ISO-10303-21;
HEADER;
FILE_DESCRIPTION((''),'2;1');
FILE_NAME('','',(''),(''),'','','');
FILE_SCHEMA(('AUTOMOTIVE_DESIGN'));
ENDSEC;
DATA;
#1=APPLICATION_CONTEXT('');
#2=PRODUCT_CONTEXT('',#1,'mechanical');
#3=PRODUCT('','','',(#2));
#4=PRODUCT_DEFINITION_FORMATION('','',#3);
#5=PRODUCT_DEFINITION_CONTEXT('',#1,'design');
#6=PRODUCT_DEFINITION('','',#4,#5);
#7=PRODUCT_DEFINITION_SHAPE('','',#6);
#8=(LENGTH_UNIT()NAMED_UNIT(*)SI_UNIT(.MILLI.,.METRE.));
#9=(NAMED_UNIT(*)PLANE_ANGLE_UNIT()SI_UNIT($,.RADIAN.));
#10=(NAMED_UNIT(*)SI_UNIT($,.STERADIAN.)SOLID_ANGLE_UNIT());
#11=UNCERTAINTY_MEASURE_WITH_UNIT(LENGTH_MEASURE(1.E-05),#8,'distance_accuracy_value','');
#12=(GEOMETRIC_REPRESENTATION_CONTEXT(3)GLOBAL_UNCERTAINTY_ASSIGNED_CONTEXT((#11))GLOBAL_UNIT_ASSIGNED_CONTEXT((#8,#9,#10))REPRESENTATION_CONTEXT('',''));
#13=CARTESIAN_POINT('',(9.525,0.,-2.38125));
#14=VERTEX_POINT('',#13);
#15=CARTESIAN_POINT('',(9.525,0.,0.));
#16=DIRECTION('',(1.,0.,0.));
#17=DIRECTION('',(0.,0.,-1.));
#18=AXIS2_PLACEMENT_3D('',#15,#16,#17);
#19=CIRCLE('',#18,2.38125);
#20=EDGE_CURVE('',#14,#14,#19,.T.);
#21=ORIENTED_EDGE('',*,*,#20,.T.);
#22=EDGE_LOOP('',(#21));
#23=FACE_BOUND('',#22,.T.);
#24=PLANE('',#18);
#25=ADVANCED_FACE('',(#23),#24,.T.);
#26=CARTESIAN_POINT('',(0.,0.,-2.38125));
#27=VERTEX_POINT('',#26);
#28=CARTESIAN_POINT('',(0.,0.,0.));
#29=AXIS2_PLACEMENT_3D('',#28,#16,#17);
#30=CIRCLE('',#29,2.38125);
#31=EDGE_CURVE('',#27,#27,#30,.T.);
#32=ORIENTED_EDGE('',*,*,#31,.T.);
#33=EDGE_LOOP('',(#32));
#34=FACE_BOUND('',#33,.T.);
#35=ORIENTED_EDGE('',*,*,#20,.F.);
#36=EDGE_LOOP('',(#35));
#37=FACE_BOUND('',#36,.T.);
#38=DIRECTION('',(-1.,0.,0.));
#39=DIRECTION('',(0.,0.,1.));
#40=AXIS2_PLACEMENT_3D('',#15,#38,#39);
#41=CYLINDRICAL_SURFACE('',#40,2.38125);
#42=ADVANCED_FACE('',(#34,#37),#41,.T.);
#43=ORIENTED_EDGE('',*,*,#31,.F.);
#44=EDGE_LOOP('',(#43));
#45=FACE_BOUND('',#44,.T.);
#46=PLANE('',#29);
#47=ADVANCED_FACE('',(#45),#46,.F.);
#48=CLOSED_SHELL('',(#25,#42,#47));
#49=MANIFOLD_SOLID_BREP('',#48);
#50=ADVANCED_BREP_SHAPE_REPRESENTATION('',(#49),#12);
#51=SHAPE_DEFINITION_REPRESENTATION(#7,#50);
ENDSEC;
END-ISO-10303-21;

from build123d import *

# Parameters (mm, degrees)
SKETCH1_R           = 2.38125
BOSS_EXTRUDE1_DEPTH = 9.525


with BuildPart() as part:
    # Sketch1 → Boss-Extrude1 (new body)
    with BuildSketch(Plane(origin=(0, 0, 0), x_dir=(0, 0, -1), z_dir=(1, 0, 0))):
        Circle(SKETCH1_R)
    extrude(amount=BOSS_EXTRUDE1_DEPTH)


solid = part.part
